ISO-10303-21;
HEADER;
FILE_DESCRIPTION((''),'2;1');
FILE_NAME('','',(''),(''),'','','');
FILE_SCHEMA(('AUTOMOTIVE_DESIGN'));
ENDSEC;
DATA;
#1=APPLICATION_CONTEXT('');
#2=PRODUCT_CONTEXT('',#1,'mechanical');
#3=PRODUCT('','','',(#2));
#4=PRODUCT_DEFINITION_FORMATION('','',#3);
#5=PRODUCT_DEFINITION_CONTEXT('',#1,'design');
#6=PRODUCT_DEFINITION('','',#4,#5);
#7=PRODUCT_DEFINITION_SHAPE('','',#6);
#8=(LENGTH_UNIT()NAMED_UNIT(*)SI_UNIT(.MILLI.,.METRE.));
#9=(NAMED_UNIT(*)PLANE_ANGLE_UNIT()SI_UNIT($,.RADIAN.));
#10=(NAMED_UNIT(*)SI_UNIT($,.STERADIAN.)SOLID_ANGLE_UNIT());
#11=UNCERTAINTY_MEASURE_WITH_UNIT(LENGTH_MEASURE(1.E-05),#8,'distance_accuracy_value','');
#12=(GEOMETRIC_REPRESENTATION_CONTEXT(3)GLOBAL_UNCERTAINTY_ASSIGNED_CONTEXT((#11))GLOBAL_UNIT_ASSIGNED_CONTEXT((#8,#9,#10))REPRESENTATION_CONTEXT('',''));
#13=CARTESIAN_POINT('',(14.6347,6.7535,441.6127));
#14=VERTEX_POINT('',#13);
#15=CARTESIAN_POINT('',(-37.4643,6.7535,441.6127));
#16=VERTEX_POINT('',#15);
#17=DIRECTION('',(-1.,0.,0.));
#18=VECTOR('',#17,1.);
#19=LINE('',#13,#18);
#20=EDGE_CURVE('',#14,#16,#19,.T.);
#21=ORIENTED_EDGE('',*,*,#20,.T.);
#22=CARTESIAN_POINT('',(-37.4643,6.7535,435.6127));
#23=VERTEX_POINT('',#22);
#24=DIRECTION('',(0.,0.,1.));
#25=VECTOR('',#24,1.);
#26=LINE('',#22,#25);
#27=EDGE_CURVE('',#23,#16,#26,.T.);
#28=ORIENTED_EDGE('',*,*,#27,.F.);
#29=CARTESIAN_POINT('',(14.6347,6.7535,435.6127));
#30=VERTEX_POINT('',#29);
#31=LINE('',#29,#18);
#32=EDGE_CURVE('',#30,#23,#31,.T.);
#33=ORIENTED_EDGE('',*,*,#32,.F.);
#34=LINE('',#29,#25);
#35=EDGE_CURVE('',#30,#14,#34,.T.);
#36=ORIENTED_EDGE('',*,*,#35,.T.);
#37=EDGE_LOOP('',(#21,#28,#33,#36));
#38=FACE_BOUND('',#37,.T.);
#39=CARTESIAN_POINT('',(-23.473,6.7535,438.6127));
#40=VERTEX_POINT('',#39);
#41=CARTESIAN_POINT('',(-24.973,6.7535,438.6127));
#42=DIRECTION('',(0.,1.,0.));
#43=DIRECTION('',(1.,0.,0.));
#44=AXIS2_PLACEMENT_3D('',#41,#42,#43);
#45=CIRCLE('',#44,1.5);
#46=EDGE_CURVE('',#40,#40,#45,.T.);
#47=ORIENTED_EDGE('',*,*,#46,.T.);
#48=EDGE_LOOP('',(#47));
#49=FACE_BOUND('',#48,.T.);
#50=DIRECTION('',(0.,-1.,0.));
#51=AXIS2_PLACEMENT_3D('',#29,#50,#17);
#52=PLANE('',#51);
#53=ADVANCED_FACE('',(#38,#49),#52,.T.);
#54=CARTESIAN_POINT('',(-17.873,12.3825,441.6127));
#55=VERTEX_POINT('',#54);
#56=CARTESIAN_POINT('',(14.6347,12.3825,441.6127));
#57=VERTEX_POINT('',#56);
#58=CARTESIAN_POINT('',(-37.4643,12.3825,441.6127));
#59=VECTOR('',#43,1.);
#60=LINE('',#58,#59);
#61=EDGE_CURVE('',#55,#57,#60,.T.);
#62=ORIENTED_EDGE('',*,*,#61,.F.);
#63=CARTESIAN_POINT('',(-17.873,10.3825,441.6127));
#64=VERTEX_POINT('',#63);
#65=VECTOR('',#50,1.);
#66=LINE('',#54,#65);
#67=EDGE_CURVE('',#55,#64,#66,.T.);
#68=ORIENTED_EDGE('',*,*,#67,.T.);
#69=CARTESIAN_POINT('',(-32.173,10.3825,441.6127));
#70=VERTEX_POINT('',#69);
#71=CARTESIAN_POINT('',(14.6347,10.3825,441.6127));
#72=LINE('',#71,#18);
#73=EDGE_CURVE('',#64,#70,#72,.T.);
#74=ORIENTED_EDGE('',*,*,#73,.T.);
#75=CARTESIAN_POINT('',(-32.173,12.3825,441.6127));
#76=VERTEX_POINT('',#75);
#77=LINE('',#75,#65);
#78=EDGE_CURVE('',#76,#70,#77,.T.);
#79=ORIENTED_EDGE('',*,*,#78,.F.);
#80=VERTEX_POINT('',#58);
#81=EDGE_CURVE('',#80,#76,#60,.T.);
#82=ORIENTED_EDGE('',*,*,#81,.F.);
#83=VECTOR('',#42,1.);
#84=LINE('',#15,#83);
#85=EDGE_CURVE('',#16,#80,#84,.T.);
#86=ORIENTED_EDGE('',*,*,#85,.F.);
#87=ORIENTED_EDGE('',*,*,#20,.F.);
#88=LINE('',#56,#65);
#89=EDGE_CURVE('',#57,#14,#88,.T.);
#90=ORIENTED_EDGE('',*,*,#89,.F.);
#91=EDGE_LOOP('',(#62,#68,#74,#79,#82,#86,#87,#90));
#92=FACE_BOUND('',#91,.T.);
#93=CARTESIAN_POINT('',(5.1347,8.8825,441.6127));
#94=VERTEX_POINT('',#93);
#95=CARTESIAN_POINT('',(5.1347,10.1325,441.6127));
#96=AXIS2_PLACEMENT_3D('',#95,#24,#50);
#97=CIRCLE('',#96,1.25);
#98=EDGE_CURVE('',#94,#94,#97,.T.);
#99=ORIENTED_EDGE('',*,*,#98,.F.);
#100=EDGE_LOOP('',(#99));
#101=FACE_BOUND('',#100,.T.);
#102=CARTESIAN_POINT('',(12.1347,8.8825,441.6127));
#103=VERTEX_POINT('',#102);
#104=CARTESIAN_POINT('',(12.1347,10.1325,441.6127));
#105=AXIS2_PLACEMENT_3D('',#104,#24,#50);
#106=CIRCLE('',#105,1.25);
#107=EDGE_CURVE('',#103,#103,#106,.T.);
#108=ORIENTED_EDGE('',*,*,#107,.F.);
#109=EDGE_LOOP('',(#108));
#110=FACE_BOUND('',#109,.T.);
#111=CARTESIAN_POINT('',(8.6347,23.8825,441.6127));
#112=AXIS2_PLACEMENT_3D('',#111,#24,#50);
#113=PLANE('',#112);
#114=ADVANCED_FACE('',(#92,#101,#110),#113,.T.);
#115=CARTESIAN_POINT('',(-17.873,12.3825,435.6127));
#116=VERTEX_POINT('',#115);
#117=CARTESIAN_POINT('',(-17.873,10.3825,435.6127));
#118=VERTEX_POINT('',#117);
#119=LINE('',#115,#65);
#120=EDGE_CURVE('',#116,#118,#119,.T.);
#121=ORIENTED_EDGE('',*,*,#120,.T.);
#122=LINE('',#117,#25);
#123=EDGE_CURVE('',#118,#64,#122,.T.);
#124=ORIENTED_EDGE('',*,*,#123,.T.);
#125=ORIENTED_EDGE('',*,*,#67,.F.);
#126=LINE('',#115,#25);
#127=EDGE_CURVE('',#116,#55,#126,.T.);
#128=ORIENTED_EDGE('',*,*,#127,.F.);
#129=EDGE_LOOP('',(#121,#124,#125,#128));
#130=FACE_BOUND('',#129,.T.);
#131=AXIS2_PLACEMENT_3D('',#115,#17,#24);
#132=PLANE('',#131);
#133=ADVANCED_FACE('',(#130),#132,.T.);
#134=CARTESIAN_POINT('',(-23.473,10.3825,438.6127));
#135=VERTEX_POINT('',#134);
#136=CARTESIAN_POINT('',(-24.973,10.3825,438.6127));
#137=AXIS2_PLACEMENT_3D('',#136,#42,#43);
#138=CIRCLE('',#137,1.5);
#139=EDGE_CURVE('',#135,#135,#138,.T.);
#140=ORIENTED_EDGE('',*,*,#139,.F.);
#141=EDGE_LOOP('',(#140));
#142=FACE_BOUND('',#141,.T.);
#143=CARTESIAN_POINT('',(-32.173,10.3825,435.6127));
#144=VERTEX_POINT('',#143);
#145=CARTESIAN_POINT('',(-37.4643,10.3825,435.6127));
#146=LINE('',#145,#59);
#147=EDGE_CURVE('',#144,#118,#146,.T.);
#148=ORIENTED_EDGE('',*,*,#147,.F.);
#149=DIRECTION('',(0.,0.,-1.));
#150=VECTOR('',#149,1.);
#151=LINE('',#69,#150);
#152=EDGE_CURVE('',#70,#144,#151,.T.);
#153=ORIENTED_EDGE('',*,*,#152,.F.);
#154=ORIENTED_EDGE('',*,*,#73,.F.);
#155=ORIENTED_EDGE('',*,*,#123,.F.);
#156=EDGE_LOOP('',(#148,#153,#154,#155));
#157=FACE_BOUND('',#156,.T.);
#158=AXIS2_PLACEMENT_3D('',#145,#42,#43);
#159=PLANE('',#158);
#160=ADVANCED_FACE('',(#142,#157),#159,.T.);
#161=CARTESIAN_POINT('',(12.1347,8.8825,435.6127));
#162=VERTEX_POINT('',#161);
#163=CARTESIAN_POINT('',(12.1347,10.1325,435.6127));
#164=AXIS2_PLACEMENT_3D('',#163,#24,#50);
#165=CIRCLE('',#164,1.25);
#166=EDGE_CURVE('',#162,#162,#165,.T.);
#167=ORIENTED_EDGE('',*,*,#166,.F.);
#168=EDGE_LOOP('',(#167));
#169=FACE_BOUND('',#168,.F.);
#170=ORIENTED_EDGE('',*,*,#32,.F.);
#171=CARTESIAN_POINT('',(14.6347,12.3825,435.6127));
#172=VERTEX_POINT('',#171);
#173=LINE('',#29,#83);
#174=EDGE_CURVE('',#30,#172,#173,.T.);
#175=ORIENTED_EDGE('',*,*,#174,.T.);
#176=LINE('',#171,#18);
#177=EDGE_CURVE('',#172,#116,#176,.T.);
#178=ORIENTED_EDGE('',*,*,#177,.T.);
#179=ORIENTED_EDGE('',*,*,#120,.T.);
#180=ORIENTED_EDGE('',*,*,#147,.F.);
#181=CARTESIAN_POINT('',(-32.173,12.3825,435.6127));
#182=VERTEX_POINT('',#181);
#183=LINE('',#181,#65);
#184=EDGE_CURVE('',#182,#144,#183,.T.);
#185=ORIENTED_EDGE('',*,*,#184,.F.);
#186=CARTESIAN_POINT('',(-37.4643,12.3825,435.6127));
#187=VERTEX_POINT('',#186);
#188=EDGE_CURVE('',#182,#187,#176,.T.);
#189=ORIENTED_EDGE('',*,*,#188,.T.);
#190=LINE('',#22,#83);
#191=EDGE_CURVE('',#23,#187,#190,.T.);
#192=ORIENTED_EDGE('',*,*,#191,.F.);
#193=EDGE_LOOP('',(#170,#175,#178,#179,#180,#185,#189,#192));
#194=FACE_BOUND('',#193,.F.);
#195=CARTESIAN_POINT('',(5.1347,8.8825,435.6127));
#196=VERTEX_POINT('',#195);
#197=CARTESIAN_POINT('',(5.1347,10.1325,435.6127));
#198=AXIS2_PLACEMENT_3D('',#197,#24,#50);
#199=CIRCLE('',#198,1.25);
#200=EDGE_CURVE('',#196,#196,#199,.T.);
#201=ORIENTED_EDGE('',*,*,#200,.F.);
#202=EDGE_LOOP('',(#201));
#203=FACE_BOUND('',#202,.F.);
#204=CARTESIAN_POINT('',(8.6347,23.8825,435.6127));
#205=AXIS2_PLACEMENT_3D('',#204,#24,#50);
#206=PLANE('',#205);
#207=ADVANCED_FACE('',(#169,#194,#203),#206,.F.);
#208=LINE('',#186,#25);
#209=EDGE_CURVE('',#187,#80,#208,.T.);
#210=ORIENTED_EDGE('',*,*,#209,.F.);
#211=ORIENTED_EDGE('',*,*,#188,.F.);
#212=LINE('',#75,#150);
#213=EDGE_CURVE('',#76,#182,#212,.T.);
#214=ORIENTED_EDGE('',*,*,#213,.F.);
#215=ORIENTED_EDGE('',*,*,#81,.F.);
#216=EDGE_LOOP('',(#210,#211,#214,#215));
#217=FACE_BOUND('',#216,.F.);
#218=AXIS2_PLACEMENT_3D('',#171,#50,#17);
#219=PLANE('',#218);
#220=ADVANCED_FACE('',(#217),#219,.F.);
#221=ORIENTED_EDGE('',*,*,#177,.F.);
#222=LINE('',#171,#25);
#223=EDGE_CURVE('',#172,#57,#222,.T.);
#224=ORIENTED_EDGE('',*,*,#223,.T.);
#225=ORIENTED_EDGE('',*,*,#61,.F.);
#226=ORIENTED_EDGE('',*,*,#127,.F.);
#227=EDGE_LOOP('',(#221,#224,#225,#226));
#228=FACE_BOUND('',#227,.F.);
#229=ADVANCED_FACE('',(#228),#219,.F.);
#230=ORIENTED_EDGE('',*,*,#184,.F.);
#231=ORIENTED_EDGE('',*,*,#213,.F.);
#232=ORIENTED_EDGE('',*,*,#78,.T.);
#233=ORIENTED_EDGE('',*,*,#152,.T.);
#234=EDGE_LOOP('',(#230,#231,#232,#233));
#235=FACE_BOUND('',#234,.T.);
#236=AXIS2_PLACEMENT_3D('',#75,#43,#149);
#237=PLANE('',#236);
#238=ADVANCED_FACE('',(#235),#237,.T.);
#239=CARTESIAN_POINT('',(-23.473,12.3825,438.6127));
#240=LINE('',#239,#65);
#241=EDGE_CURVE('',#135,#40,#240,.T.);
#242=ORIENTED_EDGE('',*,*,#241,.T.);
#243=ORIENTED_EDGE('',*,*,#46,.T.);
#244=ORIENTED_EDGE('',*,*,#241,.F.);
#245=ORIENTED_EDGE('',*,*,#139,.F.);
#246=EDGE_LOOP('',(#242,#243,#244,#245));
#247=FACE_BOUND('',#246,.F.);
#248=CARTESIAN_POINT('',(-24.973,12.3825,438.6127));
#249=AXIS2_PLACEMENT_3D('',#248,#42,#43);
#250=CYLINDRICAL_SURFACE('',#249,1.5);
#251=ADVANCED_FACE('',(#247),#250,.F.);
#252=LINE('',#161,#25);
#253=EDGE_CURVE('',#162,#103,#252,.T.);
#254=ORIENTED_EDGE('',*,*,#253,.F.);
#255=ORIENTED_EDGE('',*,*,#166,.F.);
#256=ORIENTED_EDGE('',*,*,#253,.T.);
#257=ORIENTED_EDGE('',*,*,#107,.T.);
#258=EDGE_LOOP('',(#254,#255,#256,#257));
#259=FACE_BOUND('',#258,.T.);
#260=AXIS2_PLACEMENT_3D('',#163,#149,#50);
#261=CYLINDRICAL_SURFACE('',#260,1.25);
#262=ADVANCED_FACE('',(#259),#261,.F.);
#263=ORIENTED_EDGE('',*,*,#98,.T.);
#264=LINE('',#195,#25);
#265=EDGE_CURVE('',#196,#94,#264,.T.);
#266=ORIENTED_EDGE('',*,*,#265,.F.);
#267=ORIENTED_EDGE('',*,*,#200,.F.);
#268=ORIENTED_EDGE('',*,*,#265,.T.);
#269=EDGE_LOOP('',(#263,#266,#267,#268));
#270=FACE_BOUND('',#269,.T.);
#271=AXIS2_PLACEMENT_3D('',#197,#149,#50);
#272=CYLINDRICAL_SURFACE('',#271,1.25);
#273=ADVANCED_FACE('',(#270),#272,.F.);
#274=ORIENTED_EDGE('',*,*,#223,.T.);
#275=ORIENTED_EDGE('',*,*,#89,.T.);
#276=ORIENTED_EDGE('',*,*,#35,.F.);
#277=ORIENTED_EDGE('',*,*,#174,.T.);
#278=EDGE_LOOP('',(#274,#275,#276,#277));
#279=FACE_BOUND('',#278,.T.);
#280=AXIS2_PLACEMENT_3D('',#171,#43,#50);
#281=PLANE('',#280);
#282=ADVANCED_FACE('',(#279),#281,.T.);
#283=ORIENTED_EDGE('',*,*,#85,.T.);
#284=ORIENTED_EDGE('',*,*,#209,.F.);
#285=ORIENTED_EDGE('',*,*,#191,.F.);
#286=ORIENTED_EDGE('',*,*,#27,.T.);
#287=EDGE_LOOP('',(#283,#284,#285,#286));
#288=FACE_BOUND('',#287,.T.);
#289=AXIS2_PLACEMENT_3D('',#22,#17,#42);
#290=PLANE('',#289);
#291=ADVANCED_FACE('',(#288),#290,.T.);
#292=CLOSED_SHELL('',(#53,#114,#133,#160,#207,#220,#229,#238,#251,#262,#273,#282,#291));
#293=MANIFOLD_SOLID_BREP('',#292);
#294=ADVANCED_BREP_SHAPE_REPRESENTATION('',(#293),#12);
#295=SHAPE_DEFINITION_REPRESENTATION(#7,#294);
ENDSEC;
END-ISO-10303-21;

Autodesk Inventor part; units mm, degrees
ref_plane "YZ Plane" through (0, 0, 0) normal (1, 0, 0) x (0, 1, 0)
ref_plane "XZ Plane" through (0, 0, 0) normal (0, 1, 0) x (-1, 0, 0)
ref_plane "XY Plane" through (0, 0, 0) normal (0, 0, 1) x (1, 0, 0)
ref_plane "РабПлоскость1" through (8.6347, 23.8825, 435.6127) normal (0, 0, 1) x (0, -1, 0)
sketch "Эскиз1" plane through (8.6347, 23.8825, 435.6127) normal (0, 0, 1) x (0, -1, 0)
  line L0 (11.5, 6) -> (11.5, -6) projected
  line L1 (15, -6) -> (11.5, -6) projected
  arc A0 (15, -6) -> (16, -5) centre (15, -5) ccw projected
  line L2 (16, -1.25) -> (16, -5) projected
  line L3 (14, -1.25) -> (16, -1.25) projected
  arc A1 (12.8, -0.05) -> (14, -1.25) centre (14, -0.05) ccw projected
  line L4 (12.8, 0.05) -> (12.8, -0.05) projected
  arc A2 (14, 1.25) -> (12.8, 0.05) centre (14, 0.05) ccw projected
  line L5 (16, 1.25) -> (14, 1.25) projected
  line L6 (16, 5) -> (16, 1.25) projected
  arc A3 (16, 5) -> (15, 6) centre (15, 5) ccw projected
  line L7 (11.5, 6) -> (15, 6) projected
  circle A4 centre (13.75, 3.5) radius 1.25 projected
  circle A5 centre (13.75, -3.5) radius 1.25 projected
  line L8 (11.5, 6) -> (17.129, 6)
  line L9 (17.129, 6) -> (17.129, -46.099)
  line L10 (17.129, -46.099) -> (11.5, -46.099)
  line L11 (11.5, -46.099) -> (11.5, 6)
  point P0 (23.8825, -8.6347)
  point P1 (15, 6)
extrude "Выдавливание1" add sketch "Эскиз1" along normal blind 6
sketch "Эскиз2" plane through (-37.4643, 12.3825, 435.6127) normal (0, 1, 0) x (1, 0, 0)
  circle A0 centre (12.4913, -3) radius 1.5
  line L0 (52.099, -6) -> (0, -6) projected
  line L1 (0, 0) -> (52.099, 0) projected
  line L2 (5.2913, 0) -> (19.5913, 0)
  line L3 (19.5913, 0) -> (19.5913, -6)
  line L4 (19.5913, -6) -> (5.2913, -6)
  line L5 (5.2913, -6) -> (5.2913, 0)
  point P0 (37.4643, 435.6127)
  point P1 (5.2913, -3)
  point P2 (19.5913, 0)
  dimension "d2" = 3
  dimension "d3" = 3
  dimension "d4" = 7.2
  dimension "d5" = 7.1
extrude "Выдавливание2" cut sketch "Эскиз2" against normal blind 2
extrude "Выдавливание3" cut sketch "Эскиз2" against normal through all contours A0
properties part number "крепеж тсрт"
